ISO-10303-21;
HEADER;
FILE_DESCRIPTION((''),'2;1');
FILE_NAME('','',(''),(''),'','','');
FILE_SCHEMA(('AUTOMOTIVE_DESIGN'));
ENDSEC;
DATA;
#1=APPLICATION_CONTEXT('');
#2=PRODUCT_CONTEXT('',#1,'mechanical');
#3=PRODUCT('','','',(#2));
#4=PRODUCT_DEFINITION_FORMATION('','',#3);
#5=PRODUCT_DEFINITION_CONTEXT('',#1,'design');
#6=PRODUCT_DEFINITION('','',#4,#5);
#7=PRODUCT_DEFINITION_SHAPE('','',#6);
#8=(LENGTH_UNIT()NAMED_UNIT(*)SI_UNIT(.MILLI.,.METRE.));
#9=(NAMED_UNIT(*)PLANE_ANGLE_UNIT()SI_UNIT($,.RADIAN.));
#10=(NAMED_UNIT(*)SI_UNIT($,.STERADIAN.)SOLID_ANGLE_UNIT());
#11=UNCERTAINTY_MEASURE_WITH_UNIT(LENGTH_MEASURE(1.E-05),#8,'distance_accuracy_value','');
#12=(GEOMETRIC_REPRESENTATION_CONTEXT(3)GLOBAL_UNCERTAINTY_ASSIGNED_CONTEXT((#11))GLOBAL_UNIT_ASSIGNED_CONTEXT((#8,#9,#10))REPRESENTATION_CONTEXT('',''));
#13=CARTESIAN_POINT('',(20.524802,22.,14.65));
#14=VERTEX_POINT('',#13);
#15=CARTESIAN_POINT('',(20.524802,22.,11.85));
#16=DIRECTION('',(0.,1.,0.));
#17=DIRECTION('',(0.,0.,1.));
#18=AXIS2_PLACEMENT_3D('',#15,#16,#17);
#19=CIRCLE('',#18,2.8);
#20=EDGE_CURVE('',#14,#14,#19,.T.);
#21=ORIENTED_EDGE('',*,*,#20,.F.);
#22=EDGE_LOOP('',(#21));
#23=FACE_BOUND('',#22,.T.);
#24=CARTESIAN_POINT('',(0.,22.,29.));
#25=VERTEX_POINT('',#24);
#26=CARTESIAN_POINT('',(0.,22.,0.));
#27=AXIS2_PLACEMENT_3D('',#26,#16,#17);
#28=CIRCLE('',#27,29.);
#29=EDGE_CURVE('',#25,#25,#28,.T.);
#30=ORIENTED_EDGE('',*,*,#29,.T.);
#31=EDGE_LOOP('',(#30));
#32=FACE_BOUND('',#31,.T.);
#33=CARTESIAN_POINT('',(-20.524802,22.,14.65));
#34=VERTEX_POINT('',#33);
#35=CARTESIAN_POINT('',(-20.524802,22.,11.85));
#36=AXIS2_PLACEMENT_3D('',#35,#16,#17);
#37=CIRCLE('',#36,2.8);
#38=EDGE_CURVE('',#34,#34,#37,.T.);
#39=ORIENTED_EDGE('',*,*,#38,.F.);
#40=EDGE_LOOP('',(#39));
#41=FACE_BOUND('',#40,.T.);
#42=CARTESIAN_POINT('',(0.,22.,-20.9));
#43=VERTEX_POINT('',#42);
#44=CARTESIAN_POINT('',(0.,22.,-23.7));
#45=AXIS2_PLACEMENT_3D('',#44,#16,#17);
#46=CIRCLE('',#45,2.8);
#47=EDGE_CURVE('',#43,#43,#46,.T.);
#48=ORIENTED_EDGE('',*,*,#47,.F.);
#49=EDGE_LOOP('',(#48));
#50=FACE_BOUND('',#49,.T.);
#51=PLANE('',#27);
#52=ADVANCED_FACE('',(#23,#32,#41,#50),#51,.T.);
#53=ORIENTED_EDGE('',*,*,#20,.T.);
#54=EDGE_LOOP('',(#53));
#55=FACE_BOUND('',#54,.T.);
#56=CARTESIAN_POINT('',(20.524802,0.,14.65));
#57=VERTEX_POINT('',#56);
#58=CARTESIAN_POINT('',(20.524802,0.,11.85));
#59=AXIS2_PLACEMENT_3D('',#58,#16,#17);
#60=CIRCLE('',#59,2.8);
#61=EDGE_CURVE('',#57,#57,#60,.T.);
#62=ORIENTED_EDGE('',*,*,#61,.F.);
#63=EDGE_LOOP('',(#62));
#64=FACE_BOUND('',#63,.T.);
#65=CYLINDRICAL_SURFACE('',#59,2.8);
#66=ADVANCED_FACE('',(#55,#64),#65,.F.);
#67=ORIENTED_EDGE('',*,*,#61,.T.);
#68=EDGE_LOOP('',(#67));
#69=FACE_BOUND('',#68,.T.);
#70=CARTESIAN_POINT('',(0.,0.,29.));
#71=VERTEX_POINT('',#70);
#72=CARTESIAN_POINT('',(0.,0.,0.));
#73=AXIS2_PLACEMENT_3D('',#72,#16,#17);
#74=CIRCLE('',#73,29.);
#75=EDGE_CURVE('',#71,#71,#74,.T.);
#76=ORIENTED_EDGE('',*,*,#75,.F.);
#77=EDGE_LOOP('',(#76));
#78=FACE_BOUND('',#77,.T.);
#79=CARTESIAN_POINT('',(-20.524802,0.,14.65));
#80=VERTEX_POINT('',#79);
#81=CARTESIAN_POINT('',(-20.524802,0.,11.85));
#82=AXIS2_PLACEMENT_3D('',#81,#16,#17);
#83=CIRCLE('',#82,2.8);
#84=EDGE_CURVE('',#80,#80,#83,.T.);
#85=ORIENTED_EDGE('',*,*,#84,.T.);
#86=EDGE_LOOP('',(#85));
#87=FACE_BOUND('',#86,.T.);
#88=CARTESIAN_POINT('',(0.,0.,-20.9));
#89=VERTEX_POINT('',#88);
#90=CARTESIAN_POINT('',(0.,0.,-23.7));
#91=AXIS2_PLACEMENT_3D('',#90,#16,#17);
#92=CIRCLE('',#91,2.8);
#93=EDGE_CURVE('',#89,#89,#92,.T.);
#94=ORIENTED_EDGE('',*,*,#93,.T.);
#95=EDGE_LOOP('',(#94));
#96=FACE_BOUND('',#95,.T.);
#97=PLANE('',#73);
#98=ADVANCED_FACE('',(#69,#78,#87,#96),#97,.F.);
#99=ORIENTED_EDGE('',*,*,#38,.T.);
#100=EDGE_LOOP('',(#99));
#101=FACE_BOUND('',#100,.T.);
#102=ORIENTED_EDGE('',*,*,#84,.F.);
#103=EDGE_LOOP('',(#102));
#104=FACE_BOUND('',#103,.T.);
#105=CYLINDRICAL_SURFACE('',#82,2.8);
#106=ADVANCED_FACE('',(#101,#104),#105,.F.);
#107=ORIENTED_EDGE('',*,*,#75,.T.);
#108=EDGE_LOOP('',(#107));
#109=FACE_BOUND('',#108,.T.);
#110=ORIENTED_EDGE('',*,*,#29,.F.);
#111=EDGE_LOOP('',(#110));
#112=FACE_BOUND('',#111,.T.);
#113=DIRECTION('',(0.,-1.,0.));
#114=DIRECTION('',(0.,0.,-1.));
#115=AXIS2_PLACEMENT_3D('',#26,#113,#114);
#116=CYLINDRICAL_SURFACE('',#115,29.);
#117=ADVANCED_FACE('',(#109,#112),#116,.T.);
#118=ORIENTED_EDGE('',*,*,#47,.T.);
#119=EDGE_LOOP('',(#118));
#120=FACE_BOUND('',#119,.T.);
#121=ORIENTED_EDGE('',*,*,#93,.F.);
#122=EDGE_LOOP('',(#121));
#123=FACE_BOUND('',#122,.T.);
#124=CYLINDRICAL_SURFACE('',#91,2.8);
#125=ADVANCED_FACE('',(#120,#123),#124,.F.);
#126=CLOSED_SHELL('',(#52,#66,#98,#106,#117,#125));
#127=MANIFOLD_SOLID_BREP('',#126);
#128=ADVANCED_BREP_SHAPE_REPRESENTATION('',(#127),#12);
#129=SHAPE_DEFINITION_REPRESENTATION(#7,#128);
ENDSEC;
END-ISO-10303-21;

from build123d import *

# Parameters (mm, degrees)
SKETCH2_R           = 29
BOSS_EXTRUDE1_DEPTH = 22
SKETCH3_R           = 2.8
CUT_EXTRUDE1_DEPTH  = 47.540305113


with BuildPart() as part:
    # Sketch2 → Boss-Extrude1 (new body)
    with BuildSketch(Plane(origin=(0, 0, 0), x_dir=(1, 0, 0), z_dir=(0, 1, 0))):
        with Locations(Location((0, 0, 0), (0, 0, 270))):
            Circle(SKETCH2_R)
    extrude(amount=BOSS_EXTRUDE1_DEPTH)

    # Sketch3 → Cut-Extrude1 (cut, through all)
    with BuildSketch(Plane(origin=(0, 22, 0), x_dir=(1, 0, 0), z_dir=(0, 1, 0))):
        with Locations(Location((0, 23.7, 0), (0, 0, 270))):
            Circle(SKETCH3_R)
        with Locations(Location((20.52480207, -11.85, 0), (0, 0, 270))):
            Circle(SKETCH3_R)
        with Locations(Location((-20.52480207, -11.85, 0), (0, 0, 270))):
            Circle(SKETCH3_R)
    extrude(amount=-CUT_EXTRUDE1_DEPTH, mode=Mode.SUBTRACT)


solid = part.part
